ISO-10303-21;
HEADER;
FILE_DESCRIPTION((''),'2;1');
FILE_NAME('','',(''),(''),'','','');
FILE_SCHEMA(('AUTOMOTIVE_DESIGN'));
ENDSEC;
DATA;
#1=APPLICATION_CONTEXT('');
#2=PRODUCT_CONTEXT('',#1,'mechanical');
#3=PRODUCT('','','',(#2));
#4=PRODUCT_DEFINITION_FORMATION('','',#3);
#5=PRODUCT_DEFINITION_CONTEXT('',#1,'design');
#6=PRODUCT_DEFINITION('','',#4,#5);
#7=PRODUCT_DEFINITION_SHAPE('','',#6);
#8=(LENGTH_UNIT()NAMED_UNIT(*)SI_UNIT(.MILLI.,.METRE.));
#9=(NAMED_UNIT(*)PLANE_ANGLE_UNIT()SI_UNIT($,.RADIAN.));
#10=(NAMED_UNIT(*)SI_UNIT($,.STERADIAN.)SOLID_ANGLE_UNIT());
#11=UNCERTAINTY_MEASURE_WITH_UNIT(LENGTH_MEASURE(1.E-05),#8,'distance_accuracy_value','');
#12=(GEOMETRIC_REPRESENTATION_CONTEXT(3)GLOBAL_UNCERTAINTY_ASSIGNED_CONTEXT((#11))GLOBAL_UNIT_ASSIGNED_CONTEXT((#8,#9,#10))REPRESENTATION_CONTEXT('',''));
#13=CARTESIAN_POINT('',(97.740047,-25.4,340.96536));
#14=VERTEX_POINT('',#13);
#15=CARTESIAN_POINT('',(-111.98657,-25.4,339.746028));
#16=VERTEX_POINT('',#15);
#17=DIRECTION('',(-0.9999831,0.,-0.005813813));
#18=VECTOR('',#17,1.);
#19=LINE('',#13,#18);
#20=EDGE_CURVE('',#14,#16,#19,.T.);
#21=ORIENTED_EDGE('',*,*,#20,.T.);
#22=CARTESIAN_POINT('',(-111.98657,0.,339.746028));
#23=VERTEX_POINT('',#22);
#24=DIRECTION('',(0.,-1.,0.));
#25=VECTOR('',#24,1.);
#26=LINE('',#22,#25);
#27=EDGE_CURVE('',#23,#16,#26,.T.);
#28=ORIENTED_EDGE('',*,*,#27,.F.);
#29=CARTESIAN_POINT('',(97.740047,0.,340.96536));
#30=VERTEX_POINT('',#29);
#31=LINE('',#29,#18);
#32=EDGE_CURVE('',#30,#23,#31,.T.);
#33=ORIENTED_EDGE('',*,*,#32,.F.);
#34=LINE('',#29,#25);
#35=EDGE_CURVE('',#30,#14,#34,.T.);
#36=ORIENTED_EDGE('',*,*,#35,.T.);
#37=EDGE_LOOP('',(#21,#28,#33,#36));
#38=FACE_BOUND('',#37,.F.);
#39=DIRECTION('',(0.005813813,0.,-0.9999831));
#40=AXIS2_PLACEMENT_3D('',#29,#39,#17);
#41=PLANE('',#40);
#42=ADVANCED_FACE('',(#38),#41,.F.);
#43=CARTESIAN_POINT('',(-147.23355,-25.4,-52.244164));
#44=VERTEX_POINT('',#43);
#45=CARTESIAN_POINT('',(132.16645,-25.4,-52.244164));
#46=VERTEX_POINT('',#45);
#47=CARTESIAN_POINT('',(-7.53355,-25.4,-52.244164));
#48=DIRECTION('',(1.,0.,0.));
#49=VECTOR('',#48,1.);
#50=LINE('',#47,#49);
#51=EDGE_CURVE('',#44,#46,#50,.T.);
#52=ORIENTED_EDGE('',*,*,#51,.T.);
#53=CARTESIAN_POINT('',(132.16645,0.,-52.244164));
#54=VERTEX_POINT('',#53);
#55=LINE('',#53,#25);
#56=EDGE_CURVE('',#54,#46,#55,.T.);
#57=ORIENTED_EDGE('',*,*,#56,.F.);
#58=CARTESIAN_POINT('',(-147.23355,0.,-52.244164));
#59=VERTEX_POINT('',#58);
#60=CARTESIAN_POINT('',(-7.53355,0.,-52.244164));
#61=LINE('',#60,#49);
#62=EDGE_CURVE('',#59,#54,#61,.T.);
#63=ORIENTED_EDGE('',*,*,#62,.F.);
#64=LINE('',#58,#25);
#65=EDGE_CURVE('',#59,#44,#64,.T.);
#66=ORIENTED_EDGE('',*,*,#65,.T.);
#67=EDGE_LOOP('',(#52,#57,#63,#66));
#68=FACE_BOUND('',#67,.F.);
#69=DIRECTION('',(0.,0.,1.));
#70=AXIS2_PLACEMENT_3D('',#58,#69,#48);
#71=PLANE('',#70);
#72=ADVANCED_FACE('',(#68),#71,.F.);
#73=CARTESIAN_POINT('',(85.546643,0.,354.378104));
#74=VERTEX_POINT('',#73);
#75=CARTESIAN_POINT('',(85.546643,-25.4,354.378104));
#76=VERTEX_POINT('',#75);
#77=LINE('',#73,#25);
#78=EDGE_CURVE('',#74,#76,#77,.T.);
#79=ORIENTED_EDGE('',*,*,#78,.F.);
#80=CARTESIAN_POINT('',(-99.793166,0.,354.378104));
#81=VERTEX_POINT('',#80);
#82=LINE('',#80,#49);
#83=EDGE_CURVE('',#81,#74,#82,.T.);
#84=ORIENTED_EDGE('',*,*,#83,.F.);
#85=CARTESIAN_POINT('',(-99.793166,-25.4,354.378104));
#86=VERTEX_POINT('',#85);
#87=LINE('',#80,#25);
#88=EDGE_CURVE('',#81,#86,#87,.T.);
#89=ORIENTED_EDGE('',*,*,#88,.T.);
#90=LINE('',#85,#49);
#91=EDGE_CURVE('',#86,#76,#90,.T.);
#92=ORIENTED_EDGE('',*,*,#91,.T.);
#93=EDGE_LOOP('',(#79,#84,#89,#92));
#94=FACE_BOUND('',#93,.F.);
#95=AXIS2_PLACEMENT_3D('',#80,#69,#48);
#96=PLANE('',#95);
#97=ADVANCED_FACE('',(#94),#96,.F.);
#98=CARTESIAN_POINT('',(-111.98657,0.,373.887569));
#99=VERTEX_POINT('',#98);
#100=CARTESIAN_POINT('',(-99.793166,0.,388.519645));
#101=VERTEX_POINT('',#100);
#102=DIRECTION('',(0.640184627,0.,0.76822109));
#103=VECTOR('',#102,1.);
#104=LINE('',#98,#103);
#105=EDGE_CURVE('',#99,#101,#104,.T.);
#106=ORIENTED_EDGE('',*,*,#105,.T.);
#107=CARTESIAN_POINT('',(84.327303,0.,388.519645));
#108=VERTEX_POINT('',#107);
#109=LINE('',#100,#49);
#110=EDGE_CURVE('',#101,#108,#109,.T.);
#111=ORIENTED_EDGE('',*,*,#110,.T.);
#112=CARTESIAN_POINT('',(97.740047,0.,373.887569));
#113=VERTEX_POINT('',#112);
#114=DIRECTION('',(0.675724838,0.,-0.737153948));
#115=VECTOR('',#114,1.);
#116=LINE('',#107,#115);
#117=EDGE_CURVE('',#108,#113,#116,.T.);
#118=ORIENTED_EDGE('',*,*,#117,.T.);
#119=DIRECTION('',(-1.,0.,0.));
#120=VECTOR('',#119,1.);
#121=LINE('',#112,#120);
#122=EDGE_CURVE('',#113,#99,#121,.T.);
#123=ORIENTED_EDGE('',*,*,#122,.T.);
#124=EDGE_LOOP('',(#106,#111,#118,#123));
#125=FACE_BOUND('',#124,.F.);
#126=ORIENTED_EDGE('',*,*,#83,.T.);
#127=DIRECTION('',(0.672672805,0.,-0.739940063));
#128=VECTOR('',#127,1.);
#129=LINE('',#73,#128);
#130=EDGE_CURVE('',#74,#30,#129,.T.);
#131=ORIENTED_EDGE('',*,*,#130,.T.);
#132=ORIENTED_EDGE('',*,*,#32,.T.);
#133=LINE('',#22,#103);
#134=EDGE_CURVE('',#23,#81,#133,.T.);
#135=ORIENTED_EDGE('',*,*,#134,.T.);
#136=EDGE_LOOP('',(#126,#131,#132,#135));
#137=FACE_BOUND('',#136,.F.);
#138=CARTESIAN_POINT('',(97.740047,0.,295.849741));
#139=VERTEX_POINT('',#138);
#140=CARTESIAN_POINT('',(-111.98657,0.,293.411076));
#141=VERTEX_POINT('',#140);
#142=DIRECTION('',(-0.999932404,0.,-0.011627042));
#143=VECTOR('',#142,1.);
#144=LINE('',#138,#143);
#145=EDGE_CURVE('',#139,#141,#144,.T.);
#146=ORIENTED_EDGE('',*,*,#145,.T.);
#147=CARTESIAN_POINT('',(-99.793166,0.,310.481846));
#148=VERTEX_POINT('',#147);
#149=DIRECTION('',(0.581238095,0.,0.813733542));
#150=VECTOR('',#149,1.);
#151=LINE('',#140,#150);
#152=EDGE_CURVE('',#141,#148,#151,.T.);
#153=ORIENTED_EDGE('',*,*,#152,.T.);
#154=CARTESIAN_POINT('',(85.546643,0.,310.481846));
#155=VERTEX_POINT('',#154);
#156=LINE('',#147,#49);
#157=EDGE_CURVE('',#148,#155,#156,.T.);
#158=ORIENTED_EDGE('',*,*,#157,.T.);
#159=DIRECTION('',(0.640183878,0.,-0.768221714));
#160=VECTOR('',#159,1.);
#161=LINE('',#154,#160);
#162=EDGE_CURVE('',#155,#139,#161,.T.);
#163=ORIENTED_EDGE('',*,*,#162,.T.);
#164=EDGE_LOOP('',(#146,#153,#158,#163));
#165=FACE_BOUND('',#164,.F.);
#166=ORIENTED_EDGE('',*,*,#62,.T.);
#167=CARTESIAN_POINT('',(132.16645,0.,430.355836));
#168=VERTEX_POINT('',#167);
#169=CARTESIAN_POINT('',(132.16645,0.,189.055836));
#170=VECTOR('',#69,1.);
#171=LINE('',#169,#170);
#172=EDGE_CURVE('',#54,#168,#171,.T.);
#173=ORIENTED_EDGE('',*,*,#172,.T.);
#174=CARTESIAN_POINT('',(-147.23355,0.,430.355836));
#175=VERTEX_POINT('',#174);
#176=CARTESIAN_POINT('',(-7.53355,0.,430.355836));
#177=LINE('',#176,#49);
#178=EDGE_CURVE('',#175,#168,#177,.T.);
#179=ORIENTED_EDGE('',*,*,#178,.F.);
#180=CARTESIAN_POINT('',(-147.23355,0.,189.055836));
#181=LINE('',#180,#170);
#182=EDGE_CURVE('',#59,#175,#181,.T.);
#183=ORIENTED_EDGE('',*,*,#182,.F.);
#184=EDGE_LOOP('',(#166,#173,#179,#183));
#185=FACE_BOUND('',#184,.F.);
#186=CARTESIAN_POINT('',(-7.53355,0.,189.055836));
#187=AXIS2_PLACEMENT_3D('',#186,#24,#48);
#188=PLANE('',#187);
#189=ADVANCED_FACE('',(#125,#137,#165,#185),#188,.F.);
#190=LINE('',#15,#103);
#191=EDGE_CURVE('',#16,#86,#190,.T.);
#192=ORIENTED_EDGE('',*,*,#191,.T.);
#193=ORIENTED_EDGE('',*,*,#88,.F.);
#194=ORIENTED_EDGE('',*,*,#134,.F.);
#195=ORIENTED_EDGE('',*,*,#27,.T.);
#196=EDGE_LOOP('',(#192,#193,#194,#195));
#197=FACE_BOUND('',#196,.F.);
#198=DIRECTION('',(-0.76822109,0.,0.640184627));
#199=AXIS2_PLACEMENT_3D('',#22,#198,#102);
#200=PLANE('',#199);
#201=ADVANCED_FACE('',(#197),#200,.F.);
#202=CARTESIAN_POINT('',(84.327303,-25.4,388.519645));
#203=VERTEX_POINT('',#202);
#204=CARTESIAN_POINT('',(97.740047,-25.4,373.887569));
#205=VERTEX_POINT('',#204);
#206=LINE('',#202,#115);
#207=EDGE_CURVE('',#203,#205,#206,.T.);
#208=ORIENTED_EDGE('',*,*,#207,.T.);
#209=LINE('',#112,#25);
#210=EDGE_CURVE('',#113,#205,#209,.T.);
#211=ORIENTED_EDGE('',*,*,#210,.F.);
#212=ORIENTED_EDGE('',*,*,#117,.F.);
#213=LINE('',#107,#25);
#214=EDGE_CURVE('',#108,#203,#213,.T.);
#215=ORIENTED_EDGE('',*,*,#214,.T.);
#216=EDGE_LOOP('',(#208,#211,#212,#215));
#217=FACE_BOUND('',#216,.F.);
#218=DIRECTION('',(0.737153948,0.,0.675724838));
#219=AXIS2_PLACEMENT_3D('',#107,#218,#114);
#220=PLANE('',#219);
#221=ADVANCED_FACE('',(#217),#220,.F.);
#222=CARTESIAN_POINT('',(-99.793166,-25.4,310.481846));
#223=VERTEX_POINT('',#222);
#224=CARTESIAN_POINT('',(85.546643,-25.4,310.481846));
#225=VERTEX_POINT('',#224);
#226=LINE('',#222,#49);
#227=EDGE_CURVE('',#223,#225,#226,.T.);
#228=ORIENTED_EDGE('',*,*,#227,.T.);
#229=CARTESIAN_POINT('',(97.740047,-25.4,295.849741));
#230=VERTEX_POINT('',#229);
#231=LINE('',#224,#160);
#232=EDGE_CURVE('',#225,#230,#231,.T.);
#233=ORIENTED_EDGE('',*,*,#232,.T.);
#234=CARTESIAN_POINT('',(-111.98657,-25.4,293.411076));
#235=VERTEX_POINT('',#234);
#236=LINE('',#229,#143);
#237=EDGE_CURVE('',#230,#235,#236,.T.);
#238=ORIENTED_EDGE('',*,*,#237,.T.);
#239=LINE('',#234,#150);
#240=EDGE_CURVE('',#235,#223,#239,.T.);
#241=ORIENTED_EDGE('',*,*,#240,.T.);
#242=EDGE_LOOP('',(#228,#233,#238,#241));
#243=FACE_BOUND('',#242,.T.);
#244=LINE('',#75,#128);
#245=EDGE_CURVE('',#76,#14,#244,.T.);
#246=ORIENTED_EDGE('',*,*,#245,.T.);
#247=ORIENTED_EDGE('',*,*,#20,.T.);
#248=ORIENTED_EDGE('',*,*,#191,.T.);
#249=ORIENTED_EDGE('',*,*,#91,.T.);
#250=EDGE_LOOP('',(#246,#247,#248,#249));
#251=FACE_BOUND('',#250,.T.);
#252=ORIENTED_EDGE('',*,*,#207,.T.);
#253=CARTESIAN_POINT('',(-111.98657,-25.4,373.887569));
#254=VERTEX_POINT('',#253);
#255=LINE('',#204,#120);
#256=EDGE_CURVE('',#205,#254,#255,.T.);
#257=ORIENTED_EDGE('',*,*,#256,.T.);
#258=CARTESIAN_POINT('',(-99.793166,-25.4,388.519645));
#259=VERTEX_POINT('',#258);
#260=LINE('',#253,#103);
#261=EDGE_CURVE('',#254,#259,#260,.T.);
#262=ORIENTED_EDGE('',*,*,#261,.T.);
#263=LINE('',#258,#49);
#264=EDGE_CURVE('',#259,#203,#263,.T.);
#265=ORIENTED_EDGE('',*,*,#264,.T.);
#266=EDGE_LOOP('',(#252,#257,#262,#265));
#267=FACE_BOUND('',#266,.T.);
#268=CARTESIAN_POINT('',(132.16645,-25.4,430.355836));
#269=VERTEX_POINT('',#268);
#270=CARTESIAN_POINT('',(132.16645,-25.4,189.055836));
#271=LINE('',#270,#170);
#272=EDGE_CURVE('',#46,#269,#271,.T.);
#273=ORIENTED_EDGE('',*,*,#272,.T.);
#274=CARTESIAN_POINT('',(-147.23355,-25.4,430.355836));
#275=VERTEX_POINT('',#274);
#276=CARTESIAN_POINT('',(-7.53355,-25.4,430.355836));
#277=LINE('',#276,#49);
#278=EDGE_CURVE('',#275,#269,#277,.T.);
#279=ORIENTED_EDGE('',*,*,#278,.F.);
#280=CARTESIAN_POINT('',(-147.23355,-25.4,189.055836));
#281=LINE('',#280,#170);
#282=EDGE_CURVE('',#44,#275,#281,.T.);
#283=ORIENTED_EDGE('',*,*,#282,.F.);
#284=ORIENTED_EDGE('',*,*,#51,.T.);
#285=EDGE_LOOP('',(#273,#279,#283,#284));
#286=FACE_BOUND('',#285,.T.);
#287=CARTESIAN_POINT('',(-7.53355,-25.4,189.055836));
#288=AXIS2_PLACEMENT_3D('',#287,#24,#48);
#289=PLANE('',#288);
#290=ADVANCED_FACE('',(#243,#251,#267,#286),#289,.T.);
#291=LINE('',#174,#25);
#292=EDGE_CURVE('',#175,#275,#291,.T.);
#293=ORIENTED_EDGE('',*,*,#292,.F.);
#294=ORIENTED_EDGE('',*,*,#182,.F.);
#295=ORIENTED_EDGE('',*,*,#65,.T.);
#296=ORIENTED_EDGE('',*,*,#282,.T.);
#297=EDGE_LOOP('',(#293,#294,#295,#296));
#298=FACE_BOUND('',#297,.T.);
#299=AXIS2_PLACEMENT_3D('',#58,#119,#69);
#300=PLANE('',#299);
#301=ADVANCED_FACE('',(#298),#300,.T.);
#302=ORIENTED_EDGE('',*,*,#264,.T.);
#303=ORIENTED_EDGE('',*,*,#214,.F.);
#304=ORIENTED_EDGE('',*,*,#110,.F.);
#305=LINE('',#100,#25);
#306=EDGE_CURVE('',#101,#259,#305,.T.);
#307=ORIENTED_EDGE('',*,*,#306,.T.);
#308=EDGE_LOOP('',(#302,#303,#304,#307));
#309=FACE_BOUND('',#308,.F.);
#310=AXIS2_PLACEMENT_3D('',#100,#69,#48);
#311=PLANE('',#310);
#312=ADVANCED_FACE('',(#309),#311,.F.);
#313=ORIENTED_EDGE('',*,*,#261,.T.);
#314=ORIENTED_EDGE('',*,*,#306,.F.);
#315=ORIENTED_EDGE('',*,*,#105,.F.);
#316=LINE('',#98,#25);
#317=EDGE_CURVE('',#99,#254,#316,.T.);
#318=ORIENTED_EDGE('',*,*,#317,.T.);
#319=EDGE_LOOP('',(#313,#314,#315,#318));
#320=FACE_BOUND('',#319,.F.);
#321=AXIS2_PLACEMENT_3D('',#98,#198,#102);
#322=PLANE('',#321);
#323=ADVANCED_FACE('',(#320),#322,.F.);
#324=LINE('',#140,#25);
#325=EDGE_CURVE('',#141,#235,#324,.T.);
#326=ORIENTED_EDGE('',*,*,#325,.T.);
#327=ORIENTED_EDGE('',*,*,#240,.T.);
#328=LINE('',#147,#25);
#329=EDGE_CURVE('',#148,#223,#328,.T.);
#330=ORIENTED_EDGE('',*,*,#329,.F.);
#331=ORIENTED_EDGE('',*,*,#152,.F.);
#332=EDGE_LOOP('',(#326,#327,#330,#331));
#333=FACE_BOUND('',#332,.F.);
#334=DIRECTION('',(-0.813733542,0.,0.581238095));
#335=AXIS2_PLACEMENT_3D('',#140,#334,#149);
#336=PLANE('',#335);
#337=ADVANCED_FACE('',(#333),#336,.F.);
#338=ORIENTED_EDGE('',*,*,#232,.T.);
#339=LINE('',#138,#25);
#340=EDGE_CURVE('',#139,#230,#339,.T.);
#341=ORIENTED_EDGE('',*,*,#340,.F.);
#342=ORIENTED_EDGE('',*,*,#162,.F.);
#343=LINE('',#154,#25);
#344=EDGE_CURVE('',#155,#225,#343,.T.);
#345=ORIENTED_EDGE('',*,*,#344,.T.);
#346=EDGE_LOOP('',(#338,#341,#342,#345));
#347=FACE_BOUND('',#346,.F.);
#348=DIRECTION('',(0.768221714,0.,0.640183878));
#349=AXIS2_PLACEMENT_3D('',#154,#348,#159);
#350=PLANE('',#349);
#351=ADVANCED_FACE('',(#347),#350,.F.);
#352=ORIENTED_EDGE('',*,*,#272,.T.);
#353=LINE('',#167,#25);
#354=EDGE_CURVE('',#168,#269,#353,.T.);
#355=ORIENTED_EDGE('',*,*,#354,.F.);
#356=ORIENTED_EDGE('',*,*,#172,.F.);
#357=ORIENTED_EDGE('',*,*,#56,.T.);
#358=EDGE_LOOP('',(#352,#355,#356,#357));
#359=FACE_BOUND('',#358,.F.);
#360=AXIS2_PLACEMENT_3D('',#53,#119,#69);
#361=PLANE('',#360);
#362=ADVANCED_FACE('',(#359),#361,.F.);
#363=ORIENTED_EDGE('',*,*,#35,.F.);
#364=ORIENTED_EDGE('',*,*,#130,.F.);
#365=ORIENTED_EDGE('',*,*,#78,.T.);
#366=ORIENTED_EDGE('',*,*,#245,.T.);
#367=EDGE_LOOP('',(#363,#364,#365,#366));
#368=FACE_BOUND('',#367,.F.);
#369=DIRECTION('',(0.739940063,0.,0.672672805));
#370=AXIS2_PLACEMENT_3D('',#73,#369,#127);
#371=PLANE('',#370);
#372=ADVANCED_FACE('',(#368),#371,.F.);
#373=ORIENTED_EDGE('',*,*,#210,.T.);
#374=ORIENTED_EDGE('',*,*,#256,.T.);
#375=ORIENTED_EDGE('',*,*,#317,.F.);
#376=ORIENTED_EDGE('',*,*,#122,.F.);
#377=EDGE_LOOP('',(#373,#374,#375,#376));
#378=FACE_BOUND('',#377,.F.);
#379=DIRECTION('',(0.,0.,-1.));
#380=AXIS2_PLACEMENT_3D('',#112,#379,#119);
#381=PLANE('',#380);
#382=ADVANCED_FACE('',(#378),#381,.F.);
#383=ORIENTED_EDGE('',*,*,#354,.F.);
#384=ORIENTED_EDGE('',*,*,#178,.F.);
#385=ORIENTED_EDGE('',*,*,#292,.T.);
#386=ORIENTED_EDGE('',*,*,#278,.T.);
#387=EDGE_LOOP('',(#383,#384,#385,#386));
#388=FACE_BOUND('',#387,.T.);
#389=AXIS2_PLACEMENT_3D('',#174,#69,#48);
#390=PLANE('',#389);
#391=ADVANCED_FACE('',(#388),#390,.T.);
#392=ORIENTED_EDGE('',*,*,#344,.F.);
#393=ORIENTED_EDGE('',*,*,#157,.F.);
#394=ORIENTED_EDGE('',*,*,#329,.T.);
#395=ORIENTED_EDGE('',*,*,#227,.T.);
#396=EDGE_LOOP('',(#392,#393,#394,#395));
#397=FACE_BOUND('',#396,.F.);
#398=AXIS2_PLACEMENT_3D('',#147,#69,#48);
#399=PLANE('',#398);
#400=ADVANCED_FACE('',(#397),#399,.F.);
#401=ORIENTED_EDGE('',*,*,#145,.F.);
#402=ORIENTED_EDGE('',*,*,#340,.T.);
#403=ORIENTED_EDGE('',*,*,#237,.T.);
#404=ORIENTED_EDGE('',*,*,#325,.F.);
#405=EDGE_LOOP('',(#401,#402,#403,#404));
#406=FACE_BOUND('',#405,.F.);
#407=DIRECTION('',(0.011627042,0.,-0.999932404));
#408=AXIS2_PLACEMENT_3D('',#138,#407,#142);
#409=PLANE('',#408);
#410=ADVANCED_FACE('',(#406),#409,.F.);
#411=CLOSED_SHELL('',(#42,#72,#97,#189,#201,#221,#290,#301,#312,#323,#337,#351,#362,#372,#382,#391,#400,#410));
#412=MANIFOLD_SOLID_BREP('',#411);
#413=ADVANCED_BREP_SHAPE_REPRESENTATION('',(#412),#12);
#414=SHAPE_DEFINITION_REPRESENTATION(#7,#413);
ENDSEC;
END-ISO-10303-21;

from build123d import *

# Parameters (mm, degrees)
F0_W     = 279.4
F0_H     = 482.6
F1_DEPTH = 25.4


with BuildPart() as f1:
    # F0 (on Front) → F1 (new body)
    with BuildSketch(Plane.XZ):
        with Locations((-7.53355, 189.055836)):
            Rectangle(F0_W, F0_H)
        Polygon((85.546643, 310.481846), (97.740047, 295.849741), (-111.98657, 293.411076), (-99.793166, 310.481846), align=None, mode=Mode.SUBTRACT)
        Polygon((85.546643, 354.378104), (97.740047, 340.96536), (-111.98657, 339.746028), (-99.793166, 354.378104), align=None, mode=Mode.SUBTRACT)
        Polygon((-111.98657, 373.887569), (-99.793166, 388.519645), (84.327303, 388.519645), (97.740047, 373.887569), align=None, mode=Mode.SUBTRACT)
    extrude(amount=F1_DEPTH)


solid = f1.part
